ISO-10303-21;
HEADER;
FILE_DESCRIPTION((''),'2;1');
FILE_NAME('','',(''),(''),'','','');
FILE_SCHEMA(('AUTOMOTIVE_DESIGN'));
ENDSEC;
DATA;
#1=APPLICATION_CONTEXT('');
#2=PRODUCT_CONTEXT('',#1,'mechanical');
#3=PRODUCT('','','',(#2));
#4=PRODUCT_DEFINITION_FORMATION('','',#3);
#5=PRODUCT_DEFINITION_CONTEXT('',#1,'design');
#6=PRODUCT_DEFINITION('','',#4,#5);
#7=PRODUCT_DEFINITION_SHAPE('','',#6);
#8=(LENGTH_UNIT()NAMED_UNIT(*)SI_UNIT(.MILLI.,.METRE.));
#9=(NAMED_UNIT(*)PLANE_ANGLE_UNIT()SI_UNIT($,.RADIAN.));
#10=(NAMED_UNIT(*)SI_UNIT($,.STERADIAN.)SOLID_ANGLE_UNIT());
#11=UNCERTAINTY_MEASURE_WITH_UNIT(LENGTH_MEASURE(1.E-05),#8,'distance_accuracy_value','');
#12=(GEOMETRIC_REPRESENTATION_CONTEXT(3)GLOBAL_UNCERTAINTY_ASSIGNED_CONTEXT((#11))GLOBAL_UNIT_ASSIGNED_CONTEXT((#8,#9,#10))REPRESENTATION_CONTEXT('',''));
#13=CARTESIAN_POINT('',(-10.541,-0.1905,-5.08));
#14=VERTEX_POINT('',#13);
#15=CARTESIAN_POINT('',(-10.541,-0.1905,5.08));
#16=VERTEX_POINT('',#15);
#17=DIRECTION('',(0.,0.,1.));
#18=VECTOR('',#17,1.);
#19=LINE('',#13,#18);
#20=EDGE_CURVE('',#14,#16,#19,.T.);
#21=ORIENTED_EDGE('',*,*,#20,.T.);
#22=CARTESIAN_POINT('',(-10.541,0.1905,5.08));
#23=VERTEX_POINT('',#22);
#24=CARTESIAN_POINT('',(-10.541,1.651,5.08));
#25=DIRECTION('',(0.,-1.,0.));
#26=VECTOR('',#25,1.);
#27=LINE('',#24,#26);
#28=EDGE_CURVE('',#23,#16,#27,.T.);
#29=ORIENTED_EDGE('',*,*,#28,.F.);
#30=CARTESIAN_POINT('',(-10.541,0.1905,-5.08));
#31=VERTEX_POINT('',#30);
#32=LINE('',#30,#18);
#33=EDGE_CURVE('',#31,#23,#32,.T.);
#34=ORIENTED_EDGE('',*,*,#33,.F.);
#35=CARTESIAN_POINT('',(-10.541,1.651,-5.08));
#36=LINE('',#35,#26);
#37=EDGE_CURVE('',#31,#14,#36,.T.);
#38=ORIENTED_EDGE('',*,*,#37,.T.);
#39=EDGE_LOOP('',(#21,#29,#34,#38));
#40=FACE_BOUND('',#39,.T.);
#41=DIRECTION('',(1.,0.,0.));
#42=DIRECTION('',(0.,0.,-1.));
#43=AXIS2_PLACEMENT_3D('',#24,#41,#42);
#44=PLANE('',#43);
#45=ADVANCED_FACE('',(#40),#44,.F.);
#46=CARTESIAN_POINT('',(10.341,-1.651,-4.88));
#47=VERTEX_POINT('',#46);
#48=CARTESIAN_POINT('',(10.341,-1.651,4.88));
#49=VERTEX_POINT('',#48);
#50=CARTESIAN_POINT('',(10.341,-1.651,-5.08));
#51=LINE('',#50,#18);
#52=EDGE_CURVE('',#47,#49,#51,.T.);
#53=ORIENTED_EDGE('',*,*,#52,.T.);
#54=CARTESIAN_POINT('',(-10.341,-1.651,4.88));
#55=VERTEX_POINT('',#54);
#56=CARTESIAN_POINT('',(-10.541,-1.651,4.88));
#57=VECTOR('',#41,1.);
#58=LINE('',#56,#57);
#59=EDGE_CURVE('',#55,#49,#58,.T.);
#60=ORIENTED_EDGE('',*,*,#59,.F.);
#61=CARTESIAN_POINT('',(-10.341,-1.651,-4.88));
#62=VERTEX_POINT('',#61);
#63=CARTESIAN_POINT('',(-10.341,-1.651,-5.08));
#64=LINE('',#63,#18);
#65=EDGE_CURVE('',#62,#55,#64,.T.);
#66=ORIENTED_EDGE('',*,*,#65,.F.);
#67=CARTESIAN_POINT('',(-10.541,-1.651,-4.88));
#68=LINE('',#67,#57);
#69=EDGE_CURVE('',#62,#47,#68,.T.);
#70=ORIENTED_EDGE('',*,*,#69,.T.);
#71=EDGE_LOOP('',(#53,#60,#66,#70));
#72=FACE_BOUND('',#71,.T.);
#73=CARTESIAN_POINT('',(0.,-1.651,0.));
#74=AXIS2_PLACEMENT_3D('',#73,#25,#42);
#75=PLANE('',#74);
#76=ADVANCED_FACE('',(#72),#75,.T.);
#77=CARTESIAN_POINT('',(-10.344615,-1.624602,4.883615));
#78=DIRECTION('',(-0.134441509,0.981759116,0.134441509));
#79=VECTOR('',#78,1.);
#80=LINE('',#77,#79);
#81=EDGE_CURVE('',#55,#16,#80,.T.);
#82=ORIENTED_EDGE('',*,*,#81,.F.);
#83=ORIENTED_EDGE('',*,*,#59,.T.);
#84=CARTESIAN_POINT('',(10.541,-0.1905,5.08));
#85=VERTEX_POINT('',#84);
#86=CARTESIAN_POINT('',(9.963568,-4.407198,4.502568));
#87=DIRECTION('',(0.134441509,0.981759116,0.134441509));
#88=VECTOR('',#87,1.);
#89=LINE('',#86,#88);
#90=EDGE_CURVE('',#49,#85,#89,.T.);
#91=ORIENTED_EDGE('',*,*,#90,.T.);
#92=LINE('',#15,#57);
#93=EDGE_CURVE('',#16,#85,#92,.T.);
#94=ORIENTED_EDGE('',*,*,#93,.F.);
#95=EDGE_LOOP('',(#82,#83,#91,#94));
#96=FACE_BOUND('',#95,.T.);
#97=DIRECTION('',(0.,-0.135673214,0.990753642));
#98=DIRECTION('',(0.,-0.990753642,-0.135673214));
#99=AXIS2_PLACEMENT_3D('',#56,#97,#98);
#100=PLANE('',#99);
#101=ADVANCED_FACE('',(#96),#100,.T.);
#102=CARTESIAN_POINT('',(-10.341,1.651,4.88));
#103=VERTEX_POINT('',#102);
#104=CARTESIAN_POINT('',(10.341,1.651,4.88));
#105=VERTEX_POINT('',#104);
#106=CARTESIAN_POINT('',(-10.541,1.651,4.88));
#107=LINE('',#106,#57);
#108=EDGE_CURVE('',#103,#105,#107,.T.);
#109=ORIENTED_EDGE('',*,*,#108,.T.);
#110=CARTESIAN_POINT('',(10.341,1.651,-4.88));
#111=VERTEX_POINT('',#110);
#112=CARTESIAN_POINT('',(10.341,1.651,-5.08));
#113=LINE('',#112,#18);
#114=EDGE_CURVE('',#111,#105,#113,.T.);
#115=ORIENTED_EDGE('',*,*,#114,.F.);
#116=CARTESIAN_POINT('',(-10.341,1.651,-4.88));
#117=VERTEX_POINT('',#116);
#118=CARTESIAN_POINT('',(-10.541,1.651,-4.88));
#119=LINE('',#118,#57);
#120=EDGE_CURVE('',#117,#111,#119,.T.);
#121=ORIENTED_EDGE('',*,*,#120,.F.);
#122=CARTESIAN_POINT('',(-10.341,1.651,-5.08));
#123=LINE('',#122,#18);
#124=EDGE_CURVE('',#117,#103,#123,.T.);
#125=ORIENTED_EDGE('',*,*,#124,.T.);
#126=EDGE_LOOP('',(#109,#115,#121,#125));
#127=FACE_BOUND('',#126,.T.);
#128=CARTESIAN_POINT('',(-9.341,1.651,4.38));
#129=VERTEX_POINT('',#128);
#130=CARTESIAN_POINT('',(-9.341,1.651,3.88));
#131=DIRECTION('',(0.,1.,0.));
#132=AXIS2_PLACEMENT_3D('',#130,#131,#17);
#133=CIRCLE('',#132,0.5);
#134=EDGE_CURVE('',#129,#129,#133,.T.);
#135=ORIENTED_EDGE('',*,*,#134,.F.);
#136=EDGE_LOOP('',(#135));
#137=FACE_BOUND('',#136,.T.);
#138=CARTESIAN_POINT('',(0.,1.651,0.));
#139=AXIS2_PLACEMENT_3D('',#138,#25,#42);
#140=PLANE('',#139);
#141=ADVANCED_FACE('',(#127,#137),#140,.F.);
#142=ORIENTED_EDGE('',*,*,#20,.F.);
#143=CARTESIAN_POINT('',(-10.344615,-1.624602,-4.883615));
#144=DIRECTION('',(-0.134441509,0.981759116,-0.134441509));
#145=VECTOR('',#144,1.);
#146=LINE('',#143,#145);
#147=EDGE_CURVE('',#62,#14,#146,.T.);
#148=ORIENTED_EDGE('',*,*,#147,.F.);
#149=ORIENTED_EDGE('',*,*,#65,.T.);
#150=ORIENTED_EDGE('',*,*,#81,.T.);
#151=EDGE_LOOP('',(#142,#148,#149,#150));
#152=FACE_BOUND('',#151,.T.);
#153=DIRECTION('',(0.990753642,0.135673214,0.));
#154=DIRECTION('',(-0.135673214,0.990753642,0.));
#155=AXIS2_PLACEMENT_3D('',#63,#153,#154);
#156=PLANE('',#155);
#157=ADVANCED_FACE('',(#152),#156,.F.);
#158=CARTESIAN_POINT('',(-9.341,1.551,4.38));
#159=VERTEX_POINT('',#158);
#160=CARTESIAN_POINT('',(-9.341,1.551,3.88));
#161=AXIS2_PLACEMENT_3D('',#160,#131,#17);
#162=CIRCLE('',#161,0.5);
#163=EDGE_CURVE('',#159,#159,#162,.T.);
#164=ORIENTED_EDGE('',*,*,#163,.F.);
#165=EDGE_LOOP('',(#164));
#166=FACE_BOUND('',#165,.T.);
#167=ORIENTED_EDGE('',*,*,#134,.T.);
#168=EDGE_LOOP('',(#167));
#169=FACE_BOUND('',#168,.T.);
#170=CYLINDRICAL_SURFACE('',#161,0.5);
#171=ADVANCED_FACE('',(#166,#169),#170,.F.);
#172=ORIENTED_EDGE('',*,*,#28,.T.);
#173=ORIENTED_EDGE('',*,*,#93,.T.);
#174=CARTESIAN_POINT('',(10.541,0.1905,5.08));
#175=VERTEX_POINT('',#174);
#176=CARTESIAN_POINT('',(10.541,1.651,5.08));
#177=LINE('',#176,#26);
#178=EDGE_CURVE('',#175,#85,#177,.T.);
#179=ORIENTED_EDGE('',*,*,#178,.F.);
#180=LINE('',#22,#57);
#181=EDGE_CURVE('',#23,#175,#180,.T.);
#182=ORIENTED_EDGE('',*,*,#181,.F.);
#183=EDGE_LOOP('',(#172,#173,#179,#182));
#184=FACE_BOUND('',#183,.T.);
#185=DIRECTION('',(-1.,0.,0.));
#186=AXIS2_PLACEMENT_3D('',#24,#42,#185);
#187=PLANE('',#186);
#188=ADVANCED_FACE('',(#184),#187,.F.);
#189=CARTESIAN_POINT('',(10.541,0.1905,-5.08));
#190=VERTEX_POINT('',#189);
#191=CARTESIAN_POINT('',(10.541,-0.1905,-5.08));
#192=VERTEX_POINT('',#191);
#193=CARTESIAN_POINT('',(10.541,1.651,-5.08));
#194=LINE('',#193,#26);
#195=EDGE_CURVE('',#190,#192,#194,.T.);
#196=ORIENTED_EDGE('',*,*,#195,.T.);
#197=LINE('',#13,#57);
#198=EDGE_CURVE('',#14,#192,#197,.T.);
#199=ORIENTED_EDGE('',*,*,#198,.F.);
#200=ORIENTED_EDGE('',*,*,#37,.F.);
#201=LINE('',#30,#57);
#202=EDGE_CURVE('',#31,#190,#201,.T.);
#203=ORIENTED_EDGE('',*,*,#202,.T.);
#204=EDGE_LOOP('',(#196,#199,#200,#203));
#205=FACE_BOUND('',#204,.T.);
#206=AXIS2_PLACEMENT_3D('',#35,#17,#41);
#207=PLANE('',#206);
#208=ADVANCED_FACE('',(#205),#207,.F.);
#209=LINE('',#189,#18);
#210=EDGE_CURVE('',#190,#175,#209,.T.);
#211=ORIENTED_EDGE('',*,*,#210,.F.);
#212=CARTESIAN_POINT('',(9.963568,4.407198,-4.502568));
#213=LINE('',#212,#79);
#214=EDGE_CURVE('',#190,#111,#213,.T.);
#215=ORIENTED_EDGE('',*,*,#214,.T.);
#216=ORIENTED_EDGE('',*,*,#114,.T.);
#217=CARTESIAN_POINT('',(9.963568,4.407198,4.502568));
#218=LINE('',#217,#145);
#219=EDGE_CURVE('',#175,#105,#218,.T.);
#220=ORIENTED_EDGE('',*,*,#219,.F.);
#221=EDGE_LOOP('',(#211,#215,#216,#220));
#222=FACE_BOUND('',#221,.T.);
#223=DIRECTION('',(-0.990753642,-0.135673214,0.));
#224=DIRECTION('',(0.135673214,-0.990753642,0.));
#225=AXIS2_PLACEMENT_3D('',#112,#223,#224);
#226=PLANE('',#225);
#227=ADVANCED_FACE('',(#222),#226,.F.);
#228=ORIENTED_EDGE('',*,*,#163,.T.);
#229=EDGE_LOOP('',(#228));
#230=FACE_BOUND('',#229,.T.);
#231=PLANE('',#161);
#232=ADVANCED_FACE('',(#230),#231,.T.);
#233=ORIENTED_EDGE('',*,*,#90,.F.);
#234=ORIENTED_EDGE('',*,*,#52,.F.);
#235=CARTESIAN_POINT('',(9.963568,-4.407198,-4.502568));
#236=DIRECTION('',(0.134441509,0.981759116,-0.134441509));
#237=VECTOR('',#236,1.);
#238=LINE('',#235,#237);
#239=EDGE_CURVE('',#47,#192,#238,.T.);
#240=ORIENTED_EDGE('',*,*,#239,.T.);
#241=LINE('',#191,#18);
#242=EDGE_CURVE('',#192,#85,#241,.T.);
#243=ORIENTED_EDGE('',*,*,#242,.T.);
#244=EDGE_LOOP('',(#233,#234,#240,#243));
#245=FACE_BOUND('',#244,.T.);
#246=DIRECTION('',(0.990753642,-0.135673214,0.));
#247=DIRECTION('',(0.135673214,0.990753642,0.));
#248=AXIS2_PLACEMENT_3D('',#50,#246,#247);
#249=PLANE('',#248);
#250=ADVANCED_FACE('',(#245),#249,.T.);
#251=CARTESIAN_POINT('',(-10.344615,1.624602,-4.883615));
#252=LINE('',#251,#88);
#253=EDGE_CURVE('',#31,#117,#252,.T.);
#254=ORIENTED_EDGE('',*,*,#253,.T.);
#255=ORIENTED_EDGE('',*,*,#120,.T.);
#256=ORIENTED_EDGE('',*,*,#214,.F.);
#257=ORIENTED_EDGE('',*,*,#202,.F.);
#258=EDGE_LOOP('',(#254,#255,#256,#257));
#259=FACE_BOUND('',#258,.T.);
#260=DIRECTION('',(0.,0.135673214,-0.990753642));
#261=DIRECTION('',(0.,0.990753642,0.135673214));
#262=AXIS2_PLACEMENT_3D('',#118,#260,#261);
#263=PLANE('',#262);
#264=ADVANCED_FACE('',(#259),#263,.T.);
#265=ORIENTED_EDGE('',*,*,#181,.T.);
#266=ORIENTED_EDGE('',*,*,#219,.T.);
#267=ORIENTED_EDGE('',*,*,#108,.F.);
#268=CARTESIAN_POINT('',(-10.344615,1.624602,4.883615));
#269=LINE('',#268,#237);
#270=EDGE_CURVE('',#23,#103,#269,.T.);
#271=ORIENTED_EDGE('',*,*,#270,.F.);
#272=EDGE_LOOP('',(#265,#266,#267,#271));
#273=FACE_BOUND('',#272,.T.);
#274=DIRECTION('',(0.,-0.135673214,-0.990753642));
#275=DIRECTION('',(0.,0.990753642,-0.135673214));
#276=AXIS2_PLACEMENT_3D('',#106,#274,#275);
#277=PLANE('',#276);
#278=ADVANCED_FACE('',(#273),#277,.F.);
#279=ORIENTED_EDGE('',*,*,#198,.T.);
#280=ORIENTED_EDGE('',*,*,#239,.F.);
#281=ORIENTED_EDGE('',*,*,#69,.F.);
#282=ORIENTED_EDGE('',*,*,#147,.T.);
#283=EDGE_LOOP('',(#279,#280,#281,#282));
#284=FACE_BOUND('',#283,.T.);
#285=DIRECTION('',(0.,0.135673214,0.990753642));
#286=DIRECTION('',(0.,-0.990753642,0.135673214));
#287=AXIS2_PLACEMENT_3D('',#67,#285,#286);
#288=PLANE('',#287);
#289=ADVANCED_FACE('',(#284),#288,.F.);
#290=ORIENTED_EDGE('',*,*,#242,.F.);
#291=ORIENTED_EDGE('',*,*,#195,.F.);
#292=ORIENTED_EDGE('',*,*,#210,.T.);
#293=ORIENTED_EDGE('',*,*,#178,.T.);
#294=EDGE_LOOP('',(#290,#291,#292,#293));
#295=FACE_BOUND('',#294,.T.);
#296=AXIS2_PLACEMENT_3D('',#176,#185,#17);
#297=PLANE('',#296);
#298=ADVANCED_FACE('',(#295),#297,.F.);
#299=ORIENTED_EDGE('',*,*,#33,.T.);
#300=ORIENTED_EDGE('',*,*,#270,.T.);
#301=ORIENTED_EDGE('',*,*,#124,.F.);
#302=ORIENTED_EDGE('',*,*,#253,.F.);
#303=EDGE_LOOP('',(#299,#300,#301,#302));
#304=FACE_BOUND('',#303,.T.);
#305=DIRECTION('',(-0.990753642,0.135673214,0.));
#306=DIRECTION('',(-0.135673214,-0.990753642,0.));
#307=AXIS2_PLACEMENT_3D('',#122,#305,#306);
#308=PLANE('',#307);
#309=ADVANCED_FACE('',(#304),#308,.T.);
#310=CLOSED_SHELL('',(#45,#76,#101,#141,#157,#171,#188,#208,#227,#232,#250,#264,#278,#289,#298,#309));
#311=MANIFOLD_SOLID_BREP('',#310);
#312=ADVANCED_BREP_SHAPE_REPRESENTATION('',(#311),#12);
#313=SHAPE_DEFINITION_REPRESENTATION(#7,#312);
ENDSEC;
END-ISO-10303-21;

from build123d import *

# Parameters (mm, degrees)
SKETCH1_W            = 21.082
SKETCH1_H            = 10.16
BOSS_EXTRUDE1_DEPTH  = 1.651
CUT_EXTRUDE1_DEPTH   = 22.082
MIRROR2_COPY_1_DEPTH = 22.082
CUT_EXTRUDE2_DEPTH   = 11.16
MIRROR4_COPY_1_DEPTH = 11.16
SKETCH4_R            = 0.5
CUT_EXTRUDE3_DEPTH   = 0.1


with BuildPart() as part:
    # Sketch1 → Boss-Extrude1 (new body, symmetric)
    with BuildSketch(Plane(origin=(0, 0, 0), x_dir=(1, 0, 0), z_dir=(0, 1, 0))):
        Rectangle(SKETCH1_W, SKETCH1_H)
    extrude(amount=BOSS_EXTRUDE1_DEPTH, both=True)

    # Sketch2 → Cut-Extrude1 (cut, through all)
    with BuildSketch(Plane(origin=(10.541, 0, 0), x_dir=(0, 0, -1), z_dir=(1, 0, 0))):
        Polygon((-5.08, 1.651), (-4.88, 1.651), (-5.08, 0.1905), align=None)
    cut_extrude1 = extrude(amount=-CUT_EXTRUDE1_DEPTH, mode=Mode.SUBTRACT)

    # Mirror1: Cut-Extrude1 across plane
    add(cut_extrude1.mirror(Plane.XY), mode=Mode.SUBTRACT)

    # Mirror2: Cut-Extrude1 across plane
    add(cut_extrude1.mirror(Plane.ZX), mode=Mode.SUBTRACT)

    # Mirror2 copy 1 sketch → Mirror2 copy 1 (cut, through all)
    with BuildSketch(Plane(origin=(10.541, 0, 0), x_dir=(0, 0, 1), z_dir=(1, 0, 0))):
        Polygon((-5.08, 1.651), (-4.88, 1.651), (-5.08, 0.1905), align=None)
    extrude(amount=-MIRROR2_COPY_1_DEPTH, mode=Mode.SUBTRACT)

    # Sketch3 → Cut-Extrude2 (cut, through all)
    with BuildSketch(Plane.XY.offset(5.08)):
        Polygon((10.541, 0.1905), (10.541, 1.651), (10.341, 1.651), align=None)
    cut_extrude2 = extrude(amount=-CUT_EXTRUDE2_DEPTH, mode=Mode.SUBTRACT)

    # Mirror3: Cut-Extrude2 across plane
    add(cut_extrude2.mirror(Plane.ZX), mode=Mode.SUBTRACT)

    # Mirror4: Cut-Extrude2 across plane
    add(cut_extrude2.mirror(Plane(origin=(0, 0, 0), x_dir=(0, 0, 1), z_dir=(1, 0, 0))), mode=Mode.SUBTRACT)

    # Mirror4 copy 1 sketch → Mirror4 copy 1 (cut, through all)
    with BuildSketch(Plane(origin=(0, 0, 5.08), x_dir=(-1, 0, 0), z_dir=(0, 0, 1))):
        Polygon((10.541, 0.1905), (10.541, 1.651), (10.341, 1.651), align=None)
    extrude(amount=-MIRROR4_COPY_1_DEPTH, mode=Mode.SUBTRACT)

    # Sketch4 → Cut-Extrude3 (cut)
    with BuildSketch(Plane(origin=(0, 1.651, 0), x_dir=(1, 0, 0), z_dir=(0, 1, 0))):
        with Locations((-9.341, -3.88)):
            Circle(SKETCH4_R)
    extrude(amount=-CUT_EXTRUDE3_DEPTH, mode=Mode.SUBTRACT)


solid = part.part
